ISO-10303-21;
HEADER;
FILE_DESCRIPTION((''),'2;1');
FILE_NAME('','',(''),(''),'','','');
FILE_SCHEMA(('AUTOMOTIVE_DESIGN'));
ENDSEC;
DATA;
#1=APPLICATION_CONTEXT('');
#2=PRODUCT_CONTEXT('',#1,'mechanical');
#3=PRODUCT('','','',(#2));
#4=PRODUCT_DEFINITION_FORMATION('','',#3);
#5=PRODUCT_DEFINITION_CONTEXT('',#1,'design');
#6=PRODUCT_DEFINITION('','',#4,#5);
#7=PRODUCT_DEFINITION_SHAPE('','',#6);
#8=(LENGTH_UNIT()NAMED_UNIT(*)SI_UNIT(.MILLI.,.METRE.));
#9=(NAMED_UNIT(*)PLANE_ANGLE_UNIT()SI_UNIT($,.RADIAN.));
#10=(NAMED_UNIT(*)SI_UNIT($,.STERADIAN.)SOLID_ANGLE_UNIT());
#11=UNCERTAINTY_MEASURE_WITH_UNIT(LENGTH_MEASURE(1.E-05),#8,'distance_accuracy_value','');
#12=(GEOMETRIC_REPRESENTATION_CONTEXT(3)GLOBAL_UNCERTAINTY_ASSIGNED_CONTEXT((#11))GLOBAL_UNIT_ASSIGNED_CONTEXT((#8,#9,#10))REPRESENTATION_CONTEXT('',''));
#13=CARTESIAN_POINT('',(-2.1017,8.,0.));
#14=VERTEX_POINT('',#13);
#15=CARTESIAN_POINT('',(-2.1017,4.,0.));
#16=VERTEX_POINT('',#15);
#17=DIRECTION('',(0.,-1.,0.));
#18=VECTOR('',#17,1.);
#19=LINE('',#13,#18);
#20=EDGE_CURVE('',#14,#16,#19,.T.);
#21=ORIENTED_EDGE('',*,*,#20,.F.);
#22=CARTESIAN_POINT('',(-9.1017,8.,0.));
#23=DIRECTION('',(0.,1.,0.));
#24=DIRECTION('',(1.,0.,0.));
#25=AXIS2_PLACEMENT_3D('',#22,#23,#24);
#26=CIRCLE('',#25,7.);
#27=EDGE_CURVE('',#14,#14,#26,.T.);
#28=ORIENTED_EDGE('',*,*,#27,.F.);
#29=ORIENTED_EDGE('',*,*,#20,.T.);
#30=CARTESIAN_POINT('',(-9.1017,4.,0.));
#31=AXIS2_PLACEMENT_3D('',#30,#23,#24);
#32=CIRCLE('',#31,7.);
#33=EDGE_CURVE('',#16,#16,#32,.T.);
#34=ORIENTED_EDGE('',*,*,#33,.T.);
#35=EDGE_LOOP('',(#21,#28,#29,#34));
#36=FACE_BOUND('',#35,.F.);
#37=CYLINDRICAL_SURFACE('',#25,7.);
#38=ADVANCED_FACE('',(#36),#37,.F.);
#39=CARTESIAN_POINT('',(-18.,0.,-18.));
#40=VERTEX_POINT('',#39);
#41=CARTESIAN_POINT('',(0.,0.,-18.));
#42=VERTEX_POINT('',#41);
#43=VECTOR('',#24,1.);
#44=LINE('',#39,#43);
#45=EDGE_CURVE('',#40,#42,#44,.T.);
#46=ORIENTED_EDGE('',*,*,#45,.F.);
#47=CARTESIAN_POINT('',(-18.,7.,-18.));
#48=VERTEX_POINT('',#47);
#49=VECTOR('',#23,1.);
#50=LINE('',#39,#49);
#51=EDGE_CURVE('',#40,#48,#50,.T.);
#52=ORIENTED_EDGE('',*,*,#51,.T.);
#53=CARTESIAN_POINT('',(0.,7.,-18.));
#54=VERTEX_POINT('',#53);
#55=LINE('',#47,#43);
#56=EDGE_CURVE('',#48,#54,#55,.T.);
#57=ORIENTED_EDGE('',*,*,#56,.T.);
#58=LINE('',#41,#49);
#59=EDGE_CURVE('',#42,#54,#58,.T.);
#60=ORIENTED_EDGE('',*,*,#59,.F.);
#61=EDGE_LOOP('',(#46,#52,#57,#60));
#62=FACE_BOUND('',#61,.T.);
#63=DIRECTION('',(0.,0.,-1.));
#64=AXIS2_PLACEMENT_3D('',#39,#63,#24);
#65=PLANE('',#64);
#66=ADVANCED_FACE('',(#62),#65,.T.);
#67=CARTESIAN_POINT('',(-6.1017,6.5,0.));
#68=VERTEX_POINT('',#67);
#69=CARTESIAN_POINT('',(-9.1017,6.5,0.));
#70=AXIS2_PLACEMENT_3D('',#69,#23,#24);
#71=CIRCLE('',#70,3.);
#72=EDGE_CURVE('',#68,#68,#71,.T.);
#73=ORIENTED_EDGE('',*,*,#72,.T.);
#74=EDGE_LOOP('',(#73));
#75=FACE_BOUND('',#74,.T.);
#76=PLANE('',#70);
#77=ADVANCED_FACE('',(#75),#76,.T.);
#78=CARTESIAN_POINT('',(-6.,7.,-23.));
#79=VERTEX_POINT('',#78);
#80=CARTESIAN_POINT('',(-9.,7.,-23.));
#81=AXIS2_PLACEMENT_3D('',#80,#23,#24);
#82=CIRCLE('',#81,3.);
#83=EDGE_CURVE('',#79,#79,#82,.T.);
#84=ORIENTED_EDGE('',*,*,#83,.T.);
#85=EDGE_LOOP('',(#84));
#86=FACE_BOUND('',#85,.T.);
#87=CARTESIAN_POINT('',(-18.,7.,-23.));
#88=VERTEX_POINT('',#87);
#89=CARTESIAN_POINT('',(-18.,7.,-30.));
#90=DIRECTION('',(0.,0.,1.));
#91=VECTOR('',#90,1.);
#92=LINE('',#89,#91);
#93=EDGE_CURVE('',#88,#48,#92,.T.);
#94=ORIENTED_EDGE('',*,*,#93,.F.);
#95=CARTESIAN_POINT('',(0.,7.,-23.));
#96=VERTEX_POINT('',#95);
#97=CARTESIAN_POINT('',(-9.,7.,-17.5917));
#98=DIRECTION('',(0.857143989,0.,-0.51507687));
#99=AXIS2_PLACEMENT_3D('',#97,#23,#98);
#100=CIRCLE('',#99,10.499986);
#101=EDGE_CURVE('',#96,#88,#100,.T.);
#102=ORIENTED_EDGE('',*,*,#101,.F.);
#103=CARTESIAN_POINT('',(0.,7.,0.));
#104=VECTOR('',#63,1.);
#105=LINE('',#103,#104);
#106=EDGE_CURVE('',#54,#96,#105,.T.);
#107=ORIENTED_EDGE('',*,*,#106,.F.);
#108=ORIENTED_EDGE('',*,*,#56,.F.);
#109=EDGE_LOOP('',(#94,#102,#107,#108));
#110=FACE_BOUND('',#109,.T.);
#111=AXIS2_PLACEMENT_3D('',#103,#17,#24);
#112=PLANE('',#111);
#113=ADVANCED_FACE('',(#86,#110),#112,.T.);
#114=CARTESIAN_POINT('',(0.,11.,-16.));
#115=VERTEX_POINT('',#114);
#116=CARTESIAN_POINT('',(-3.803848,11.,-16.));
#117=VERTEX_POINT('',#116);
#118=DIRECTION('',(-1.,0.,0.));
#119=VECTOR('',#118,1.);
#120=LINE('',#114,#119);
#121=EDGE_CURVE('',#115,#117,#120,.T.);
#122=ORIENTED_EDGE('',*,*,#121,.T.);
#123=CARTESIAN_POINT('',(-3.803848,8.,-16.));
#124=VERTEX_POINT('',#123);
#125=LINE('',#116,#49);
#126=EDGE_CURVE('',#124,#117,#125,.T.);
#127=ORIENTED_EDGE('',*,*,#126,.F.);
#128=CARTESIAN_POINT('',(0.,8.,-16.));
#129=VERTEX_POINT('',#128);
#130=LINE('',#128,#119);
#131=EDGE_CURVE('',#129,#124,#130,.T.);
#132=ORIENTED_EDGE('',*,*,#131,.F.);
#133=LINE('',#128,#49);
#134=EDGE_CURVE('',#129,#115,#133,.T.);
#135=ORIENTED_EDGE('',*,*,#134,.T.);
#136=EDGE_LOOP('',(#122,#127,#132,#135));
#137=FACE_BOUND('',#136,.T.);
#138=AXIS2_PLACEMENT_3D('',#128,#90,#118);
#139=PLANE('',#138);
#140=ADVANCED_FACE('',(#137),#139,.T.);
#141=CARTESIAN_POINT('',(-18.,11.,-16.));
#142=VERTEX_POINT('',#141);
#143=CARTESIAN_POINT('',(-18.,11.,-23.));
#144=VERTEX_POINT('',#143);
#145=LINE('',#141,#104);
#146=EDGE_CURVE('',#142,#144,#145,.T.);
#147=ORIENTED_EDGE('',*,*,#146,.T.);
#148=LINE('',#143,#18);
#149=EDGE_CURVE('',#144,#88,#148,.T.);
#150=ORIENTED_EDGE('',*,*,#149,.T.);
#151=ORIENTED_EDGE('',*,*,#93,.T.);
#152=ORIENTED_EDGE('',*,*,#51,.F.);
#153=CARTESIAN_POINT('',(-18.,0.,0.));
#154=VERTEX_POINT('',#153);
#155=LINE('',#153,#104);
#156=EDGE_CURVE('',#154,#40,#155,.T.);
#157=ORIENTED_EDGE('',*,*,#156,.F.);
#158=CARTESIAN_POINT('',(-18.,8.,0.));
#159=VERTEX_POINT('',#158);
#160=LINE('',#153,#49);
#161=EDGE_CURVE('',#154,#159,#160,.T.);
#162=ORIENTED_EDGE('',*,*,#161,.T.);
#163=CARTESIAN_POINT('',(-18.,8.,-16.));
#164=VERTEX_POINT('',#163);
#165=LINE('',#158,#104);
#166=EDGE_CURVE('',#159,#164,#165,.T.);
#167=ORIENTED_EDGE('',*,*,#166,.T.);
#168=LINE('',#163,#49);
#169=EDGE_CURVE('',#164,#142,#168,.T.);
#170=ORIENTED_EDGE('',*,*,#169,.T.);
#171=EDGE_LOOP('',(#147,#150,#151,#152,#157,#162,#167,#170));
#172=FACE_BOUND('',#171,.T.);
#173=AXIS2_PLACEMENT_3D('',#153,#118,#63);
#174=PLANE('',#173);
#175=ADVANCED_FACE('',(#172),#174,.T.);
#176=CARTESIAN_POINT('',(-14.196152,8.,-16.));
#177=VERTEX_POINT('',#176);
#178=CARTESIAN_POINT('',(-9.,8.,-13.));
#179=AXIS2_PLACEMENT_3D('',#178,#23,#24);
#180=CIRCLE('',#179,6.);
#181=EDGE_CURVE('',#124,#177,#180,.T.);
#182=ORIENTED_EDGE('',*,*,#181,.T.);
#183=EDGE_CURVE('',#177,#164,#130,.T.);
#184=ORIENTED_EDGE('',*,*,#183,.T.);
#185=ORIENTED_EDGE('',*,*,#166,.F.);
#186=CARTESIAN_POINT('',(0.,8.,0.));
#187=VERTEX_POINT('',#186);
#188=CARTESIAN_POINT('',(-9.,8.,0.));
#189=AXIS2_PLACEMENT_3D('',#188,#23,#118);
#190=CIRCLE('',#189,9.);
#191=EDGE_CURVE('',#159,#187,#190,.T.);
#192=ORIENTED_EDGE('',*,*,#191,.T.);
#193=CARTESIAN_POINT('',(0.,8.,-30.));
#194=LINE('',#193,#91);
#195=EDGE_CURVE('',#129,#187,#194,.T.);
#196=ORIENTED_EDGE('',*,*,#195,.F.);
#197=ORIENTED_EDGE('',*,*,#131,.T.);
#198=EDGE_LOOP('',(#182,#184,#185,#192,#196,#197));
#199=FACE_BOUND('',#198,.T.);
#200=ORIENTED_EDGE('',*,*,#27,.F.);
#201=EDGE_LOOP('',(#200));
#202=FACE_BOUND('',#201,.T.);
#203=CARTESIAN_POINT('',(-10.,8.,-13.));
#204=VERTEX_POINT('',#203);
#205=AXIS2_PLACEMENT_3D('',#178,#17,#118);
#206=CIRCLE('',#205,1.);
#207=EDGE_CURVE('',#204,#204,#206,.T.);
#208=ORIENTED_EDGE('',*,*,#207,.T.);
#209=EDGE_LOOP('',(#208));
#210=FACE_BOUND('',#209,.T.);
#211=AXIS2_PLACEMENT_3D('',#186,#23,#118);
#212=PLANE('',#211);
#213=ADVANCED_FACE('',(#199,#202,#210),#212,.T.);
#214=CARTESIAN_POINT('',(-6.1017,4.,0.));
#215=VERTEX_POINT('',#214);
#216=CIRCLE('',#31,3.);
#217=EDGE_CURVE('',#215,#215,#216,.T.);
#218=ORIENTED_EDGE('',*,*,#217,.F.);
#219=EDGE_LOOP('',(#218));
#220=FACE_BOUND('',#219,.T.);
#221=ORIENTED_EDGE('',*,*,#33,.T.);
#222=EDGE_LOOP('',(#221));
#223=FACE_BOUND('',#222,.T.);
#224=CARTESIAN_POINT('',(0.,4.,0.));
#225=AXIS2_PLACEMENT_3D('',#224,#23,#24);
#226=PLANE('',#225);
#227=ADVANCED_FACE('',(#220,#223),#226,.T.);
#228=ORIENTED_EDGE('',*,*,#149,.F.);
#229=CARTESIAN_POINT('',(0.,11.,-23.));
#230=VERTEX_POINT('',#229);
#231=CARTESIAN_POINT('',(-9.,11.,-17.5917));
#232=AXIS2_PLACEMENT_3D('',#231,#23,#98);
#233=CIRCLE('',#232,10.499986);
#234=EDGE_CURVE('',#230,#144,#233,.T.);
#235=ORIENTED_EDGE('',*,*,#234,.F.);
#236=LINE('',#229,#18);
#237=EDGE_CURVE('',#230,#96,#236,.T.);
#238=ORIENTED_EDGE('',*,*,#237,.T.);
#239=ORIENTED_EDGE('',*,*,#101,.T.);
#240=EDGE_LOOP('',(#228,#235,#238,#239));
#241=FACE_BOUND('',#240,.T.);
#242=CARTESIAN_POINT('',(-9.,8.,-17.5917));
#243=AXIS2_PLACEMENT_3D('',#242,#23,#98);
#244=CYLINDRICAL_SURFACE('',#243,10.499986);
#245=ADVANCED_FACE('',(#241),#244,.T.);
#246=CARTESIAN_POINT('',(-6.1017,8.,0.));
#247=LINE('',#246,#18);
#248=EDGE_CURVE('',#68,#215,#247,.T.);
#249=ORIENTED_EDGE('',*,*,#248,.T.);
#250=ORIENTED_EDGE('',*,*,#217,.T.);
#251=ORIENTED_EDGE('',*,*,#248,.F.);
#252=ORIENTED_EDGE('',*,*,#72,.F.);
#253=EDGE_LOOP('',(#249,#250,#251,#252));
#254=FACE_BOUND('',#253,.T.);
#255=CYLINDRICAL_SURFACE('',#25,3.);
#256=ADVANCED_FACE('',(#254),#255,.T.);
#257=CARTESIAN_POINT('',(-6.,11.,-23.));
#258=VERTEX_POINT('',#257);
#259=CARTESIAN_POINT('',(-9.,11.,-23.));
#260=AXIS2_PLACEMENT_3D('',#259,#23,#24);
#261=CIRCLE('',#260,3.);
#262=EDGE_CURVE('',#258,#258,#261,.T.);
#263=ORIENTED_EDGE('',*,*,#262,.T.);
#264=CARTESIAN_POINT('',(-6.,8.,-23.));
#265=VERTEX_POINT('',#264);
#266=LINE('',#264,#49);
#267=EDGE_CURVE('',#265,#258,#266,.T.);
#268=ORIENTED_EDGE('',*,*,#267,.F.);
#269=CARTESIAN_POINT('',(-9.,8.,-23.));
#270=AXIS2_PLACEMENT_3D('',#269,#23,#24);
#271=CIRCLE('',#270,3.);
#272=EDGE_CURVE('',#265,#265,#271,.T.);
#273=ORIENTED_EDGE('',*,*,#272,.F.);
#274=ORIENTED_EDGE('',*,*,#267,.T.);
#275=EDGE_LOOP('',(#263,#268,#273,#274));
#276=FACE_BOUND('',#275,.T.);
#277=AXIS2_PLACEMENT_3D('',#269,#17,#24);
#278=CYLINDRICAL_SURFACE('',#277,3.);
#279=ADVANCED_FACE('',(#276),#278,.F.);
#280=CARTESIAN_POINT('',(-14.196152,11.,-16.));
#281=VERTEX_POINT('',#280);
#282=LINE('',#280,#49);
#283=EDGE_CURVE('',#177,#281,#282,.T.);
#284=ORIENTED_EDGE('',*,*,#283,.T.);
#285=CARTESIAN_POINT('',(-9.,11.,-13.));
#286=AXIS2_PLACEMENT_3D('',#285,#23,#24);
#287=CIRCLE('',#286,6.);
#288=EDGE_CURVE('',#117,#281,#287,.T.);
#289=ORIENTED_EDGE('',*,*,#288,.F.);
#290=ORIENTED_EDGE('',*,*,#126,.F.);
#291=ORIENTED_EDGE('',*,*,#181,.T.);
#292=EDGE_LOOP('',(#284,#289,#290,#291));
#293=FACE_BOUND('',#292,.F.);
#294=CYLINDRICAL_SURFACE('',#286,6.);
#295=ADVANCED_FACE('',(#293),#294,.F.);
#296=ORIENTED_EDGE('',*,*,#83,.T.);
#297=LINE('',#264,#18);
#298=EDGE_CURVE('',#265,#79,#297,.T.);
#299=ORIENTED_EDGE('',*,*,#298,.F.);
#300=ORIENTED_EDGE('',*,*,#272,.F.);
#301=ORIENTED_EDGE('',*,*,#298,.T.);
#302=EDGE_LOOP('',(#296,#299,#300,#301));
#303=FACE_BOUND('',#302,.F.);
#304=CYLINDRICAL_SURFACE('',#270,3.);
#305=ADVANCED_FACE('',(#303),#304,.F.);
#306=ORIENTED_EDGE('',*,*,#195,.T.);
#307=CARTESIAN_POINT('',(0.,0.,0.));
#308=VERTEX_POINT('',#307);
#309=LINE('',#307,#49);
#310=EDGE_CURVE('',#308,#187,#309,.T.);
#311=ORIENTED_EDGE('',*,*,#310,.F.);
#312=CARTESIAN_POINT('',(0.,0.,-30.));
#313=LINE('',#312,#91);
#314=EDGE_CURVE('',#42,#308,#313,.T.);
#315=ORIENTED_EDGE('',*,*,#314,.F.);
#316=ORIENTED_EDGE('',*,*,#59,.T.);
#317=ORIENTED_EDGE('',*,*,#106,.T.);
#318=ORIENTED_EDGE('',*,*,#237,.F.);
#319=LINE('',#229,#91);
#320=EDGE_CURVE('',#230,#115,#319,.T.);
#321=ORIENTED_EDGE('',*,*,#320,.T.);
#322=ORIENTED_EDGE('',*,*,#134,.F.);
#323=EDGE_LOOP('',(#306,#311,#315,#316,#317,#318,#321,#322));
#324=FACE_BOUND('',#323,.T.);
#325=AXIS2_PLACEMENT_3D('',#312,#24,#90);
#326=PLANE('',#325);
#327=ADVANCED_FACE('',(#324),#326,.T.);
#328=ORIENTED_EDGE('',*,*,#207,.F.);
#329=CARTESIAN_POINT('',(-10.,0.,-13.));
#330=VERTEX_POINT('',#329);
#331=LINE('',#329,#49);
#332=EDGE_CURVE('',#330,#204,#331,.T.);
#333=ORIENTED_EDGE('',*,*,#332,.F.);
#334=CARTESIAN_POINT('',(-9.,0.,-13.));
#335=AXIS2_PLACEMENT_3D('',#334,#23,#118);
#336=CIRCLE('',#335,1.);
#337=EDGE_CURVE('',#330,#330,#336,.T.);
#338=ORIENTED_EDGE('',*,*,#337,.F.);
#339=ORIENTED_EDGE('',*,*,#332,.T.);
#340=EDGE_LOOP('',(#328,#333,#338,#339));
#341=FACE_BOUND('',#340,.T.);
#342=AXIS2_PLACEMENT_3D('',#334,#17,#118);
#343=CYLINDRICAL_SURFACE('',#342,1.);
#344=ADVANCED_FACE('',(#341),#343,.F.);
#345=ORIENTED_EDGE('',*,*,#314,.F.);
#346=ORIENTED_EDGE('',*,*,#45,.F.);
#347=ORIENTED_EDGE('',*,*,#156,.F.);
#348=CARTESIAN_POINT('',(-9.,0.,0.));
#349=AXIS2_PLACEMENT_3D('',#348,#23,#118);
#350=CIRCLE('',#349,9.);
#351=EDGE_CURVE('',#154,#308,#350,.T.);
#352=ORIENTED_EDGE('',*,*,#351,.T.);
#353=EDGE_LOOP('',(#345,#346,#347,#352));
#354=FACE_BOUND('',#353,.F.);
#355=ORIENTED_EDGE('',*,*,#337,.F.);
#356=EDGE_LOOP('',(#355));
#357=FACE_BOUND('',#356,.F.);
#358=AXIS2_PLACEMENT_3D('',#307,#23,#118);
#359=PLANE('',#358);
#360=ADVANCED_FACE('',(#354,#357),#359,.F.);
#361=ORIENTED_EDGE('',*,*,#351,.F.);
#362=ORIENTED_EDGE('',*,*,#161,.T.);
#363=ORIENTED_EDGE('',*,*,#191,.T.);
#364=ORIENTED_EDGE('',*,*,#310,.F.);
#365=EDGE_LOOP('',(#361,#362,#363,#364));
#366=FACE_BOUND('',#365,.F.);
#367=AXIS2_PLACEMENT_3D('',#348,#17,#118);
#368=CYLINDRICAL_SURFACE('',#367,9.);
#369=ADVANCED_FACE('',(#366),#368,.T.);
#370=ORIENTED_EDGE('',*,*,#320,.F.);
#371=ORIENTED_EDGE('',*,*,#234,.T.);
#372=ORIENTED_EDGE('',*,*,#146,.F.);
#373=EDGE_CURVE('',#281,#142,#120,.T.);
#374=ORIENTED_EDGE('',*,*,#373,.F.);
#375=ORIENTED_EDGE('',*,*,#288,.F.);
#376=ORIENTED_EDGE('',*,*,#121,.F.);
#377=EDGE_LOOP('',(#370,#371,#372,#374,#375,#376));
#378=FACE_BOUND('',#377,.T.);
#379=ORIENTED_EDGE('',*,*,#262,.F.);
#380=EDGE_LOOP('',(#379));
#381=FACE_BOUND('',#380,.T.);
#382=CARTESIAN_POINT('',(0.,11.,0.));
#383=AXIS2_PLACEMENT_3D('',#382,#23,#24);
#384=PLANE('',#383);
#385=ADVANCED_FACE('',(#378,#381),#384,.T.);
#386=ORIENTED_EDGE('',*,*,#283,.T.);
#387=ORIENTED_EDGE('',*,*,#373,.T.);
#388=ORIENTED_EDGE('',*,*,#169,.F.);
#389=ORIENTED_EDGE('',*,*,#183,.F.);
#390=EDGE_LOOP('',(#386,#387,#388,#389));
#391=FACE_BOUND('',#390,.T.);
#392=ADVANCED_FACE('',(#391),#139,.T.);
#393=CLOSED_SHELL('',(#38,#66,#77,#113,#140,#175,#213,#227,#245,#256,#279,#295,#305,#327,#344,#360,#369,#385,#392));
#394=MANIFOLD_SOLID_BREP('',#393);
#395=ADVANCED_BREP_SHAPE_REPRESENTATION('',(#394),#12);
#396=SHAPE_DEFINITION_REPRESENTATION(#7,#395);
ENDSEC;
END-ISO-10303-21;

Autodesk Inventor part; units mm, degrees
ref_plane "YZ Plane" through (0, 0, 0) normal (1, 0, 0) x (0, 1, 0)
ref_plane "XZ Plane" through (0, 0, 0) normal (0, 1, 0) x (-1, 0, 0)
ref_plane "XY Plane" through (0, 0, 0) normal (0, 0, 1) x (1, 0, 0)
sketch "Sketch1" plane through (0, 0, 0) normal (0, 1, 0) x (-1, 0, 0)
  line L0 (18, 0) -> (18, -30)
  line L1 (18, -30) -> (0, -30)
  line L2 (0, -30) -> (0, 0)
  arc A0 (18, 0) -> (0, 0) centre (9, 0) ccw
  circle A1 centre (9, -23) radius 1
  circle A2 centre (9, -13) radius 1
  dimension "d6" = 2
  dimension "d8" = 2
extrude "Extrusion1" add sketch "Sketch1" along normal blind 8
sketch "Sketch2" plane through (0, 8, 0) normal (0, 1, 0) x (1, 0, 0)
  circle A0 centre (-9.1017, 0) radius 3
  circle A1 centre (-9.1017, 0) radius 7
  point P0 (0, 0)
  dimension "d11" = 6
  dimension "d12" = 14
extrude "Extrusion2" cut sketch "Sketch2" against normal blind 4
sketch "Sketch3" plane through (-9.1017, 8, 0) normal (0, 1, 0) x (1, 0, 0)
  circle A0 centre (0, 0) radius 3
  point P0 (9.1017, 0)
extrude "Extrusion3" cut sketch "Sketch3" against normal blind 1.5
sketch "Sketch4" plane through (0, 8, 0) normal (0, 1, 0) x (1, 0, 0)
  line L0 (0, 23) -> (0, 16)
  line L1 (0, 16) -> (-18, 16)
  line L2 (-18, 16) -> (-18, 23)
  circle A0 centre (-9, 23) radius 3
  arc A1 (0, 23) -> (-18, 23) centre (-9, 17.5917) ccw
  point P0 (0, 0)
  dimension "d17" = 18
extrude "Extrusion4" add sketch "Sketch4" along normal blind 3
sketch "Sketch6" plane through (0, 0, 0) normal (0, -1, 0) x (1, 0, 0)
  line L0 (0, 0) -> (0, -30) projected
  line L1 (-18, -30) -> (-18, 0) projected
  line L2 (0, -30) -> (-18, -30)
  line L3 (-18, -30) -> (-18, -18)
  line L4 (-18, -18) -> (0, -18)
  line L5 (0, -18) -> (0, -30)
  dimension "d23" = 12
extrude "Extrusion5" cut sketch "Sketch6" against normal blind 7
sketch "Sketch7" plane through (0, 8, 0) normal (0, 1, 0) x (1, 0, 0)
  circle A0 centre (-9, 23) radius 3
  point P0 (0, 0)
  point P1 (-18, 23)
  point P2 (0, 30)
  point P3 (-6, 23)
  point P4 (-12, 23)
extrude "Extrusion6" cut sketch "Sketch7" against normal through all
sketch "Sketch8" plane through (0, 8, 0) normal (0, 1, 0) x (1, 0, 0)
  line L0 (-18, 30) -> (-18, 23) projected
  arc A0 (0, 23) -> (-18, 23) centre (-9, 17.5917) ccw
  line L1 (0, 30) -> (-18, 30) projected
  line L2 (3.2096, 23) -> (3.2096, 32.8991)
  line L3 (3.2096, 32.8991) -> (-22.1602, 32.8991)
  line L4 (-22.1602, 32.8991) -> (-22.1602, 23)
  line L5 (-22.1602, 23) -> (-18, 23)
  line L6 (0, 23) -> (3.2096, 23)
  point P0 (0, 0)
extrude "Extrusion7" cut sketch "Sketch8" against normal blind 7
sketch "Sketch11" plane through (0, 11, 0) normal (0, 1, 0) x (1, 0, 0)
  circle A0 centre (-9, 13) radius 1 projected
  circle A1 centre (-9, 13) radius 6
  point P0 (0, 0)
  dimension "d38" = 12
extrude "Extrusion9" cut sketch "Sketch11" against normal blind 3
properties part number "top hand base with 2 gears"
